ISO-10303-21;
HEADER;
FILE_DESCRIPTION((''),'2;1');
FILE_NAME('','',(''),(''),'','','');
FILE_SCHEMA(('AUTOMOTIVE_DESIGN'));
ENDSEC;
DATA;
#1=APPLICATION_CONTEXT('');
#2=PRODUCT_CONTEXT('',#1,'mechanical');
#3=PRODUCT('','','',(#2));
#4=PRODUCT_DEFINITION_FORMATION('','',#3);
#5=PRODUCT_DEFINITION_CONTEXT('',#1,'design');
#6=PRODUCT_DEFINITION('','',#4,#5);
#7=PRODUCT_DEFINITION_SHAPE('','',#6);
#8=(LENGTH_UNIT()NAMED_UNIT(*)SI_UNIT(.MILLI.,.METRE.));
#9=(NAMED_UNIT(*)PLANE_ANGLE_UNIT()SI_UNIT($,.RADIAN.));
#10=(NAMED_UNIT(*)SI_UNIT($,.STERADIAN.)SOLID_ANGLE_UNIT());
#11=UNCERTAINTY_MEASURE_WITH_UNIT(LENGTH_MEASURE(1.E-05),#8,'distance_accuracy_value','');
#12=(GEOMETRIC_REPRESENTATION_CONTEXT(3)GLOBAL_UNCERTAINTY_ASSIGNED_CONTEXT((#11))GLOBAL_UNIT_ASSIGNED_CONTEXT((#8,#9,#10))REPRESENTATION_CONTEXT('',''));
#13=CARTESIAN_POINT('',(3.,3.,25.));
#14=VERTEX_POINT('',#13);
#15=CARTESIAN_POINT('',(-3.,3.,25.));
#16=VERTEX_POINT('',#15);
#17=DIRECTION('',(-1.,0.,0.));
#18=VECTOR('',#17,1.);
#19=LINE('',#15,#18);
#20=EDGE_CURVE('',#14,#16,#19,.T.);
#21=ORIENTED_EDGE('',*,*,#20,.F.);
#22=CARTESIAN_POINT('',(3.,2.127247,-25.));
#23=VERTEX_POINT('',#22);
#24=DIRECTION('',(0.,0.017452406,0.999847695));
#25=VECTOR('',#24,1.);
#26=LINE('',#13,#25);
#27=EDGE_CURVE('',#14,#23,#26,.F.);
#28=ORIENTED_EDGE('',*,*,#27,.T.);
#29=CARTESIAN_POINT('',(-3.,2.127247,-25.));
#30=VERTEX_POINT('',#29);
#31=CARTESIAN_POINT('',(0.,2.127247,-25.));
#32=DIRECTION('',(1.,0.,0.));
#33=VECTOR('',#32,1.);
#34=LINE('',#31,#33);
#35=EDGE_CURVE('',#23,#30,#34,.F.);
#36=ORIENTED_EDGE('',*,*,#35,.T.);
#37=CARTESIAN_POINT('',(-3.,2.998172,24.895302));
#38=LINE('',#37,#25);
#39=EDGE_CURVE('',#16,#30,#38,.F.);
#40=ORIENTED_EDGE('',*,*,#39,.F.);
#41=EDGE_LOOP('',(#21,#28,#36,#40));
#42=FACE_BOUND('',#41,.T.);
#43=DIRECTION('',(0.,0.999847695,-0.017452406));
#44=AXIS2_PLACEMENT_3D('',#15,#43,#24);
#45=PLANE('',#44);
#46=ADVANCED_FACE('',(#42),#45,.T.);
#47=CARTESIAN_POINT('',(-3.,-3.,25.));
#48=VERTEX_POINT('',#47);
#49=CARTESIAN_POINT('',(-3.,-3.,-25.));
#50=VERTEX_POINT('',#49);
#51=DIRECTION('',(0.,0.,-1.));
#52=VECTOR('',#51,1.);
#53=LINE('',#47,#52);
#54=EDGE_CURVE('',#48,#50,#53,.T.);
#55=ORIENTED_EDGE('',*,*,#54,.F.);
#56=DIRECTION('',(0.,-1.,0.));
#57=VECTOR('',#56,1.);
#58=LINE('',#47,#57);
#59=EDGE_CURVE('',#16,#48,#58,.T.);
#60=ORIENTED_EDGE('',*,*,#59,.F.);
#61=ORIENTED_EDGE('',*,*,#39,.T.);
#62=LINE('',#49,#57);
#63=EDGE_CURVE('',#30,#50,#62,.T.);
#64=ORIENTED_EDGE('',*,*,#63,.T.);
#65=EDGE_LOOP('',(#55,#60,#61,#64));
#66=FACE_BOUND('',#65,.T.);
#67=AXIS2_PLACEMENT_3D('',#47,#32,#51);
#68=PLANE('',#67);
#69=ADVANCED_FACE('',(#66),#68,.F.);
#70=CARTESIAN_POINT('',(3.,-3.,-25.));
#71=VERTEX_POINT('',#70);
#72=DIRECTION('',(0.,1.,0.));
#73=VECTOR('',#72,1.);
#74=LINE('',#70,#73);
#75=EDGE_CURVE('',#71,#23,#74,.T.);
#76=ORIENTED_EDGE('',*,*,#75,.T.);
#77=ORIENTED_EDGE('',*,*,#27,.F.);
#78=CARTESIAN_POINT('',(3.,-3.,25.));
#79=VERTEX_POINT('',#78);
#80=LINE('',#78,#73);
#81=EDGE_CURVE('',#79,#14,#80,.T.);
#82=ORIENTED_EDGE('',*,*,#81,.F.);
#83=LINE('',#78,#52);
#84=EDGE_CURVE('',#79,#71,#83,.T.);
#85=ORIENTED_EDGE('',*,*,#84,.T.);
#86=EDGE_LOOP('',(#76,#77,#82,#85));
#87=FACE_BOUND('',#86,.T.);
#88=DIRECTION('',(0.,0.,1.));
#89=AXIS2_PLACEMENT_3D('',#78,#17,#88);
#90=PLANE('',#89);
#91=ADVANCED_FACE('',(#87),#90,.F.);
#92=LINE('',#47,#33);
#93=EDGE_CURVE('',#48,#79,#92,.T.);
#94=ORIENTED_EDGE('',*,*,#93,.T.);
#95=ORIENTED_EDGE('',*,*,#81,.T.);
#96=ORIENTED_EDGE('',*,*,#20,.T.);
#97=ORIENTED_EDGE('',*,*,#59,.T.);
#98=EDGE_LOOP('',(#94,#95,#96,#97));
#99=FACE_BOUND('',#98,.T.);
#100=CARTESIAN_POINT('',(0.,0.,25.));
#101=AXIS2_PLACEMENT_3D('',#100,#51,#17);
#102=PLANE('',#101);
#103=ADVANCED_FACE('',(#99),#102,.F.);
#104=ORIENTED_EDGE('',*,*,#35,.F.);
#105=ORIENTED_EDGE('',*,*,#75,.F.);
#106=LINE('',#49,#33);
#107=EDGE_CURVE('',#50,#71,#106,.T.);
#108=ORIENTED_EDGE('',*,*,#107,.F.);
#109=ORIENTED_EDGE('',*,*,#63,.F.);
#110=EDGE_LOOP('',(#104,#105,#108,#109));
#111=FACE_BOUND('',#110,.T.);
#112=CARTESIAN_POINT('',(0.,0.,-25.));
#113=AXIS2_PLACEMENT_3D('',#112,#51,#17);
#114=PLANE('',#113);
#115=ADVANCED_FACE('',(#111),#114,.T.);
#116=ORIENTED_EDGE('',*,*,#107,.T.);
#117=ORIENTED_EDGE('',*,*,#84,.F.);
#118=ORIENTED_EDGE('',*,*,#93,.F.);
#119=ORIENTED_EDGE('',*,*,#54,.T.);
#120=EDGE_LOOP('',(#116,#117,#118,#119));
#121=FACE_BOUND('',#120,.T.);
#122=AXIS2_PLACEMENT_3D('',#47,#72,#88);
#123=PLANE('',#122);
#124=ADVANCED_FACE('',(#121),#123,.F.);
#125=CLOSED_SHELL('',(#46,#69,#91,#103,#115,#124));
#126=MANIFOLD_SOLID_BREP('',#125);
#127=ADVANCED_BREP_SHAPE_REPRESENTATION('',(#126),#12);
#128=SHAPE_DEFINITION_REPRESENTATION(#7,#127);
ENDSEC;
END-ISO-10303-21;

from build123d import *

# Parameters (mm, degrees)
SKETCH1_W           = 6
SKETCH1_H           = 6
BOSS_EXTRUDE1_DEPTH = 25
DRAFT2_ANGLE        = -1


with BuildPart() as part:
    # Sketch1 → Boss-Extrude1 (new, symmetric)
    with BuildSketch(Plane.XY):
        Rectangle(SKETCH1_W, SKETCH1_H)
    extrude(amount=BOSS_EXTRUDE1_DEPTH, both=True)

    # Draft2
    draft2_faces = [part.faces().sort_by_distance(p)[0] for p in [
        (0, 3, 0),
    ]]
    draft(draft2_faces, Plane.XY.offset(25), DRAFT2_ANGLE)


solid = part.part
